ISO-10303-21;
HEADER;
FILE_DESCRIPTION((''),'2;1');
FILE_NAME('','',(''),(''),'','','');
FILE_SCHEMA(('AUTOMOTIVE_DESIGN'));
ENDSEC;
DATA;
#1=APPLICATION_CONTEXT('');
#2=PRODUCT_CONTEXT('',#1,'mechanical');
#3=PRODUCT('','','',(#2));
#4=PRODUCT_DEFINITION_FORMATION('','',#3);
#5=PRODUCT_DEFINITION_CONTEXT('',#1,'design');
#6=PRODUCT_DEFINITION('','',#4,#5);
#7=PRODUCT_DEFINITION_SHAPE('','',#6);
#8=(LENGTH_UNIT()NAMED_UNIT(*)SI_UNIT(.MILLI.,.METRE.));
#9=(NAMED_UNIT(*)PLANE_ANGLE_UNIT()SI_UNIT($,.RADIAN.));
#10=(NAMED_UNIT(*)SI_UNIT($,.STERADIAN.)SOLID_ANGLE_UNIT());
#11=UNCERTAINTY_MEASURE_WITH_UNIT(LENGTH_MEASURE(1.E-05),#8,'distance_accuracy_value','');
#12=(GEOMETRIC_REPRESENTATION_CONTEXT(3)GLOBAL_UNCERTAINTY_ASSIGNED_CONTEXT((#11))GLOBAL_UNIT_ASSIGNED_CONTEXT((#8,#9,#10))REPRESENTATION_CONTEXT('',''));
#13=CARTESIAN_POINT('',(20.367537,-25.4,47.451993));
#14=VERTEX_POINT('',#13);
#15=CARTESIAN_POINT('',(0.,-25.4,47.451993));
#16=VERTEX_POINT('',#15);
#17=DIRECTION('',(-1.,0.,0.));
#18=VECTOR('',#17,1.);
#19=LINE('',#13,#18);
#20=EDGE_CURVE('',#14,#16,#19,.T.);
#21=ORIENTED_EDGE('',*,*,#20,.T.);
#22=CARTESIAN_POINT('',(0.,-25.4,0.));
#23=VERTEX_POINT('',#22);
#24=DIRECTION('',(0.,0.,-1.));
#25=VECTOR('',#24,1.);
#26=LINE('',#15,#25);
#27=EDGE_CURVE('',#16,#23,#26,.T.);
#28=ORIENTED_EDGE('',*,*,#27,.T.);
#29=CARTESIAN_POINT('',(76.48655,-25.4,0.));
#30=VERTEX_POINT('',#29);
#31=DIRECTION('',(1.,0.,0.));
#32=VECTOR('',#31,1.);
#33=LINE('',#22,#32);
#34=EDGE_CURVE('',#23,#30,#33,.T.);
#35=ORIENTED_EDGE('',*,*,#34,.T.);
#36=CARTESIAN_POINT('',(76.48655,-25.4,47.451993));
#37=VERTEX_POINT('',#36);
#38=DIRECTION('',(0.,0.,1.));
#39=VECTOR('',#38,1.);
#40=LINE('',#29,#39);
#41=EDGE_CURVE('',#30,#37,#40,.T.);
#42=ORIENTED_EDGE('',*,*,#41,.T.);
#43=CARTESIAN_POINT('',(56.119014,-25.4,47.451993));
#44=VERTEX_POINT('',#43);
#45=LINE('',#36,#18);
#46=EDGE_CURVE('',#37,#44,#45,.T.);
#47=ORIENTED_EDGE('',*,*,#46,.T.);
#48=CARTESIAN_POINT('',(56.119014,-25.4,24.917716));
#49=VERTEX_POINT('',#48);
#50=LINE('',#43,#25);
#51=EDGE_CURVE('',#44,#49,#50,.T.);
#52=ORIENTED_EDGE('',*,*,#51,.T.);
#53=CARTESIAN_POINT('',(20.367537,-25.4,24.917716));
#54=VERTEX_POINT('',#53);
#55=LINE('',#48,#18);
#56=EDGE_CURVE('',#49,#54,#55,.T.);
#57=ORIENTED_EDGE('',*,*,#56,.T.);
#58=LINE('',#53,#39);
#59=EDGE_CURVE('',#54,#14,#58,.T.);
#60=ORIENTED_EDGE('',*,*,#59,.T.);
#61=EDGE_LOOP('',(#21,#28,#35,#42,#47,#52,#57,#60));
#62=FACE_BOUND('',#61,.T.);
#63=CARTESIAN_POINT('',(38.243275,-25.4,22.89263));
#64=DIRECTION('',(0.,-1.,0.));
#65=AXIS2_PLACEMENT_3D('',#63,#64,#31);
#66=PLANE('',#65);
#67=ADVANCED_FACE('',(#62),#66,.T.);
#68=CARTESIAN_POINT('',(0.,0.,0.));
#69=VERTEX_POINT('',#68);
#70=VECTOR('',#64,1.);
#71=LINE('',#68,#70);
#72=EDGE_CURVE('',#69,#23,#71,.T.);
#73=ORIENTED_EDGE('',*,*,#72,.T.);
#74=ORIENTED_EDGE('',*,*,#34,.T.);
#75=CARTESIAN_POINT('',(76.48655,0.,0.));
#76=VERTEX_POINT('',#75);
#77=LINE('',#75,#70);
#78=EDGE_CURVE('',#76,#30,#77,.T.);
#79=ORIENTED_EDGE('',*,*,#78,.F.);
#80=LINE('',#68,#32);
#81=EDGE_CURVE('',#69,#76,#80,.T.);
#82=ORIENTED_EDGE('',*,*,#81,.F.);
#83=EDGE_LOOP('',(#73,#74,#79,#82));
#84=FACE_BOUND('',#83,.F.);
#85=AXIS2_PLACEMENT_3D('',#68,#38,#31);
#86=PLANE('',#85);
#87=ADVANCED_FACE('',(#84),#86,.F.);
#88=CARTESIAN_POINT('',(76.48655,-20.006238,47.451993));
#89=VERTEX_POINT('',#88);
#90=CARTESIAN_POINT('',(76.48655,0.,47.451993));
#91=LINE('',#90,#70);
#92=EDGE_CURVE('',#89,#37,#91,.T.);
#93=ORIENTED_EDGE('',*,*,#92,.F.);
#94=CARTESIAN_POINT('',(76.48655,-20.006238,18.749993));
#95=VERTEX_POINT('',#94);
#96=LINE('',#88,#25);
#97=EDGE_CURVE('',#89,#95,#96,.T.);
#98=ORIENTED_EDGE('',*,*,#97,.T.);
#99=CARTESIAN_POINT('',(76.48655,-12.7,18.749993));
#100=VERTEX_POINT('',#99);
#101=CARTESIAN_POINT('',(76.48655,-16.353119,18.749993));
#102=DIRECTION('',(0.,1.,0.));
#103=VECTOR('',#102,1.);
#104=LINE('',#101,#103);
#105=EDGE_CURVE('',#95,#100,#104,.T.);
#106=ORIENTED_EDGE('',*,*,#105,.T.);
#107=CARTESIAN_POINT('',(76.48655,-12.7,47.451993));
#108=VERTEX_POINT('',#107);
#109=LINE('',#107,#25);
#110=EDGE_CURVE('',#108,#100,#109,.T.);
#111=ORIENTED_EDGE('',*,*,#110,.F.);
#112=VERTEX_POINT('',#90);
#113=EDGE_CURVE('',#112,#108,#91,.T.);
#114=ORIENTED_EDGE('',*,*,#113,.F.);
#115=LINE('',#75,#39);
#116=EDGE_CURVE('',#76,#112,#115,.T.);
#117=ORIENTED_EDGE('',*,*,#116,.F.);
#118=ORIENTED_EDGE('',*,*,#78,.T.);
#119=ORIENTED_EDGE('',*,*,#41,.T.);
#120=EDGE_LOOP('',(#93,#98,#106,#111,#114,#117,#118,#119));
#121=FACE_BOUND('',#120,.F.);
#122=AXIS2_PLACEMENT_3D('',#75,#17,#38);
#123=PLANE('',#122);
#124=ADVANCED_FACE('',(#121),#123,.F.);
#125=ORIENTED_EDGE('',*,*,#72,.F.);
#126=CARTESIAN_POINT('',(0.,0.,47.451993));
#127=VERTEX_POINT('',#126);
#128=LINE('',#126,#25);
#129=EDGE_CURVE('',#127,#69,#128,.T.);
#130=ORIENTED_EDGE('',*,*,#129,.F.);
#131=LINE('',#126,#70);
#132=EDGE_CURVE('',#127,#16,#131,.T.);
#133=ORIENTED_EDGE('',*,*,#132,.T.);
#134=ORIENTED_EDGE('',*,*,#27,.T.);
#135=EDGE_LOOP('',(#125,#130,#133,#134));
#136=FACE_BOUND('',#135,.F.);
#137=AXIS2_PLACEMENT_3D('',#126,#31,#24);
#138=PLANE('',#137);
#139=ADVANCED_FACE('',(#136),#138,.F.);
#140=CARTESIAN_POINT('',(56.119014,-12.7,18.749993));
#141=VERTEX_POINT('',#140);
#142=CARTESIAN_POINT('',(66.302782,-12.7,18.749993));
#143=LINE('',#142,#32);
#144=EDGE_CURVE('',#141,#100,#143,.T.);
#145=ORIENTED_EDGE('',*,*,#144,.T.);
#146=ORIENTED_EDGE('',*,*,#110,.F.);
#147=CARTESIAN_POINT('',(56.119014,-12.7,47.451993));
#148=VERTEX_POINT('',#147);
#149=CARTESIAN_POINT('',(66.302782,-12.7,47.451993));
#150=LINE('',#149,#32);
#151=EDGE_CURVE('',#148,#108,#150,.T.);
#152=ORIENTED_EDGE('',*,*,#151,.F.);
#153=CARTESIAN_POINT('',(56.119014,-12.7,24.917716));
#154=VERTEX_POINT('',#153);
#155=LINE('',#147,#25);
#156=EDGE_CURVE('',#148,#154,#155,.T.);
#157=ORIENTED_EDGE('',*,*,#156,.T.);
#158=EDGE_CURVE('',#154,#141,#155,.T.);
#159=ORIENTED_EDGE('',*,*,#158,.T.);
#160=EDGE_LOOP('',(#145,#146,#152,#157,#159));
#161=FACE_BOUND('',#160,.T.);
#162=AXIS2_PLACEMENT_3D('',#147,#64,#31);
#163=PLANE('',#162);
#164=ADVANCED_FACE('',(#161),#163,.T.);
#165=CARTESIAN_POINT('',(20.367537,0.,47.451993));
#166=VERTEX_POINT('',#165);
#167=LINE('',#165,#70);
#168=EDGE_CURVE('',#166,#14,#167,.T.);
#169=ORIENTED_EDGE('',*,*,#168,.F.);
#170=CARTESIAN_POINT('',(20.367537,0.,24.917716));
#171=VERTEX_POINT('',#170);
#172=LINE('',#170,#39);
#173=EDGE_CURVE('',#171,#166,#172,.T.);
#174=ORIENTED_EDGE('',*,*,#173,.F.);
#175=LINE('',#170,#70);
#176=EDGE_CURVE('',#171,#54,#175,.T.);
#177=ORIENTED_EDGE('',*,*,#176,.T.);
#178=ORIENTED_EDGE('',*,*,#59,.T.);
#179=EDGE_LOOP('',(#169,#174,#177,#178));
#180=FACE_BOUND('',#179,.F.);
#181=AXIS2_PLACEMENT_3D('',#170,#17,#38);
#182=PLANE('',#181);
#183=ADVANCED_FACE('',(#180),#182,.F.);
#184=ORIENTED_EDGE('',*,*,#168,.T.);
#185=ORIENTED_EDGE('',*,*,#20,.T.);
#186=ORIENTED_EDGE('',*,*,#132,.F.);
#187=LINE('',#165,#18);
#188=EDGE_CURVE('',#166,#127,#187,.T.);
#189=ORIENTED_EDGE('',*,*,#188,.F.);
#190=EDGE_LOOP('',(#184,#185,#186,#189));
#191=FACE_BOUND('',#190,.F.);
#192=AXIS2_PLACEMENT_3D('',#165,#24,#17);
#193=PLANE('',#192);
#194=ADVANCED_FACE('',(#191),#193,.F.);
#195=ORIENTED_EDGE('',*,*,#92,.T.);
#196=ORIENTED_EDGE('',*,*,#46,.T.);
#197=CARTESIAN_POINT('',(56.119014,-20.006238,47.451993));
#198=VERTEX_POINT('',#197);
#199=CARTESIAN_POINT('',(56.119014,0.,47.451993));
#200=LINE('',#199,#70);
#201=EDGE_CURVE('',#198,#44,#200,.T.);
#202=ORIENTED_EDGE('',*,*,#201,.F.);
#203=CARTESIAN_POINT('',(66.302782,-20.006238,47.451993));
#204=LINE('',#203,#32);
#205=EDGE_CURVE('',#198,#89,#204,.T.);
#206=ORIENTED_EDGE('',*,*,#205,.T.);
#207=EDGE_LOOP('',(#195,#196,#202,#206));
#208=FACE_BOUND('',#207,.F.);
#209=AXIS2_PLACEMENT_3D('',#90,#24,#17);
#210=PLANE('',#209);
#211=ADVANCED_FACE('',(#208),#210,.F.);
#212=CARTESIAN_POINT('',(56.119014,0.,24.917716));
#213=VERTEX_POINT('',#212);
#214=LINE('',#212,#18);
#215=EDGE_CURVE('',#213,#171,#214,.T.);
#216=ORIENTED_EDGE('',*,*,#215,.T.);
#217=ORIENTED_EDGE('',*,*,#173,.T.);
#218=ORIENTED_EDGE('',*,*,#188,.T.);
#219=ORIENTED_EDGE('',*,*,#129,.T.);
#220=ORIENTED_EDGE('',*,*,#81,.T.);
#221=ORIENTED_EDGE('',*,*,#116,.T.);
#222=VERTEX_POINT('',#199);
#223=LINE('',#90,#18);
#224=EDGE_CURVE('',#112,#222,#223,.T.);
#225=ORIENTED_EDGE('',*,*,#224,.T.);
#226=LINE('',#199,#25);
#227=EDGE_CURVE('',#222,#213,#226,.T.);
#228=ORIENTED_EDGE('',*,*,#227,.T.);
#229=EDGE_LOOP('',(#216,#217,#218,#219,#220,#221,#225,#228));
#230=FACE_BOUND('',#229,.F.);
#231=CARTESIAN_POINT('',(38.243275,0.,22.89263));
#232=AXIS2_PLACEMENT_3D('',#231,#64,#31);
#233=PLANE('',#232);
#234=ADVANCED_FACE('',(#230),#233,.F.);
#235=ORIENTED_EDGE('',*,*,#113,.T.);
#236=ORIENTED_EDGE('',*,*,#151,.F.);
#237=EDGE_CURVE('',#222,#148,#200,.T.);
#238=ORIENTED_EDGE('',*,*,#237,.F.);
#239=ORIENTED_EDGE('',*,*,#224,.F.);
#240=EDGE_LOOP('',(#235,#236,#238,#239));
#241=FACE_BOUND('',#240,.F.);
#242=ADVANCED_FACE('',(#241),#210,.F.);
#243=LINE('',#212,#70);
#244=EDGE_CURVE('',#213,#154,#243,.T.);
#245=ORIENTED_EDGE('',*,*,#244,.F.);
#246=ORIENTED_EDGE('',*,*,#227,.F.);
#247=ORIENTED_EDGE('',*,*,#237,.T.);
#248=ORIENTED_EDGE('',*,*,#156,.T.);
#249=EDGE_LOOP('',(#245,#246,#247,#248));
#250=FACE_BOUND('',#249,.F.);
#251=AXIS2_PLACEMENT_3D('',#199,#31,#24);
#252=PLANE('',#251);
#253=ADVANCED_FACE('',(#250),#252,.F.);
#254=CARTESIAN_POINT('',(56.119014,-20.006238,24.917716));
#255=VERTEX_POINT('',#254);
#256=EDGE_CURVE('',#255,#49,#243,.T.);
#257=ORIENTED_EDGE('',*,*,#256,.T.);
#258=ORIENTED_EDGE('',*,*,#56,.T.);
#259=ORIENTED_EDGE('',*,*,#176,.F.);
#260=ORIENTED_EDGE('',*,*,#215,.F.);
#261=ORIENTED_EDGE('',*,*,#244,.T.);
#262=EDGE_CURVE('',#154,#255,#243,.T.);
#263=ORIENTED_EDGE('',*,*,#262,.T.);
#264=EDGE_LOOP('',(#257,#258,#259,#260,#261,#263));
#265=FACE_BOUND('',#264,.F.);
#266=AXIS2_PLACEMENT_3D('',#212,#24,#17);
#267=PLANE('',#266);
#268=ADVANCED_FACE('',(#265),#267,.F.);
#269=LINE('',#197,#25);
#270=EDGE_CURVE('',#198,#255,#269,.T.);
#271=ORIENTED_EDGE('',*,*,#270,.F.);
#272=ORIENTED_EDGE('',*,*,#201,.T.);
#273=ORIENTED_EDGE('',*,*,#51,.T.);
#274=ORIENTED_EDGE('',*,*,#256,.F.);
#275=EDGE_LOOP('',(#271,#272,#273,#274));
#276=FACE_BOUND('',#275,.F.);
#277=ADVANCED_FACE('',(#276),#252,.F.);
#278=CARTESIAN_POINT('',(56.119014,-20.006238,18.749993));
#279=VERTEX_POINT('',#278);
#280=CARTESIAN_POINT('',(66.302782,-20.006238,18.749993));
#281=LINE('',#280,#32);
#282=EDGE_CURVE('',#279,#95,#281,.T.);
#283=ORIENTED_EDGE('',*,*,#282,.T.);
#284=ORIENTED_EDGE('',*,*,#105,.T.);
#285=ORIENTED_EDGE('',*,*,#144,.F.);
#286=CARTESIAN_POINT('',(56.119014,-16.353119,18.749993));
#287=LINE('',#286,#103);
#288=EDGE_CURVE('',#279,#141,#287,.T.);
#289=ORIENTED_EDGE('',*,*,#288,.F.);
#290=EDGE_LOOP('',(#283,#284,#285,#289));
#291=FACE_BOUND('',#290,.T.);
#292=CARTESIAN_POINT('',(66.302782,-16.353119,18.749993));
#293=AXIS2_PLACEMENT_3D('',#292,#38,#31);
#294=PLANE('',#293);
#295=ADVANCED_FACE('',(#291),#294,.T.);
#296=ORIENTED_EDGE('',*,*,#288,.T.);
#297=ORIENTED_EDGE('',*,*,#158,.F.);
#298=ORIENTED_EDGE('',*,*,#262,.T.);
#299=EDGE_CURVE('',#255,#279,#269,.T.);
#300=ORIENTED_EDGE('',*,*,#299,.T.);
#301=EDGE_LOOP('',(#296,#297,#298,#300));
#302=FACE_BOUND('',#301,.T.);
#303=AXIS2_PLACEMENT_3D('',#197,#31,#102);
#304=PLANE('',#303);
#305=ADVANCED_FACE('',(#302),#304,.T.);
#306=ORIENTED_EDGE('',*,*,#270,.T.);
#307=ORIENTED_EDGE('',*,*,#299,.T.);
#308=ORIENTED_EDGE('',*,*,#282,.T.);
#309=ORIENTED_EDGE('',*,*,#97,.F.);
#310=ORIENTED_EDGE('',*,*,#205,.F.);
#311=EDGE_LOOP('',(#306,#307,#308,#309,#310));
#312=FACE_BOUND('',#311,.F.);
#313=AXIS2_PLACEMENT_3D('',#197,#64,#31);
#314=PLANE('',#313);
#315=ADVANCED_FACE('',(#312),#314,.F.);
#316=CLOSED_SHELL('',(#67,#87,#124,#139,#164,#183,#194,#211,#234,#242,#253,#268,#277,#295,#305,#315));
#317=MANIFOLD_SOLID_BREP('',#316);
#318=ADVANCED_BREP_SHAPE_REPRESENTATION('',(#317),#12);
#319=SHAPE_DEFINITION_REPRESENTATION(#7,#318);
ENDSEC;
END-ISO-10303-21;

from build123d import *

# Parameters (mm, degrees)
F1_DEPTH = 25.4
F2_W     = 20.367536
F2_H     = 9.66201
F3_DEPTH = 25.4
F4_W     = 8.65579
F4_H     = 21.259759
F5_DEPTH = 25.146
F6_W     = 20.367536
F6_H     = 7.306238
F7_DEPTH = 28.702


with BuildPart() as f1:
    # F0 (on Front) → F1 (new body)
    with BuildSketch(Plane.XZ):
        Polygon((20.367537, 47.451993), (0, 47.451993), (0, 0), (76.48655, 0), (76.48655, 47.451993), (56.119014, 47.451993), (56.119014, 24.917716), (20.367537, 24.917716), align=None)
    extrude(amount=F1_DEPTH)

    # F2 (on face) → F3 (cut)
    with BuildSketch(Plane.XY.offset(47.451993)):
        with Locations((66.302782, -14.511633)):
            Rectangle(F2_W, F2_H)
    extrude(amount=F3_DEPTH, mode=Mode.SUBTRACT)

    # F4 (on face) → F5 (join)
    with BuildSketch(Plane.XY.offset(47.451993)):
        with Locations((66.302782, -14.77012)):
            Rectangle(F4_W, F4_H)
    extrude(amount=-F5_DEPTH)

    # F6 (on face) → F7 (cut)
    with BuildSketch(Plane.XY.offset(47.451993)):
        with Locations((66.302782, -16.353119)):
            Rectangle(F6_W, F6_H)
    extrude(amount=-F7_DEPTH, mode=Mode.SUBTRACT)


solid = f1.part
